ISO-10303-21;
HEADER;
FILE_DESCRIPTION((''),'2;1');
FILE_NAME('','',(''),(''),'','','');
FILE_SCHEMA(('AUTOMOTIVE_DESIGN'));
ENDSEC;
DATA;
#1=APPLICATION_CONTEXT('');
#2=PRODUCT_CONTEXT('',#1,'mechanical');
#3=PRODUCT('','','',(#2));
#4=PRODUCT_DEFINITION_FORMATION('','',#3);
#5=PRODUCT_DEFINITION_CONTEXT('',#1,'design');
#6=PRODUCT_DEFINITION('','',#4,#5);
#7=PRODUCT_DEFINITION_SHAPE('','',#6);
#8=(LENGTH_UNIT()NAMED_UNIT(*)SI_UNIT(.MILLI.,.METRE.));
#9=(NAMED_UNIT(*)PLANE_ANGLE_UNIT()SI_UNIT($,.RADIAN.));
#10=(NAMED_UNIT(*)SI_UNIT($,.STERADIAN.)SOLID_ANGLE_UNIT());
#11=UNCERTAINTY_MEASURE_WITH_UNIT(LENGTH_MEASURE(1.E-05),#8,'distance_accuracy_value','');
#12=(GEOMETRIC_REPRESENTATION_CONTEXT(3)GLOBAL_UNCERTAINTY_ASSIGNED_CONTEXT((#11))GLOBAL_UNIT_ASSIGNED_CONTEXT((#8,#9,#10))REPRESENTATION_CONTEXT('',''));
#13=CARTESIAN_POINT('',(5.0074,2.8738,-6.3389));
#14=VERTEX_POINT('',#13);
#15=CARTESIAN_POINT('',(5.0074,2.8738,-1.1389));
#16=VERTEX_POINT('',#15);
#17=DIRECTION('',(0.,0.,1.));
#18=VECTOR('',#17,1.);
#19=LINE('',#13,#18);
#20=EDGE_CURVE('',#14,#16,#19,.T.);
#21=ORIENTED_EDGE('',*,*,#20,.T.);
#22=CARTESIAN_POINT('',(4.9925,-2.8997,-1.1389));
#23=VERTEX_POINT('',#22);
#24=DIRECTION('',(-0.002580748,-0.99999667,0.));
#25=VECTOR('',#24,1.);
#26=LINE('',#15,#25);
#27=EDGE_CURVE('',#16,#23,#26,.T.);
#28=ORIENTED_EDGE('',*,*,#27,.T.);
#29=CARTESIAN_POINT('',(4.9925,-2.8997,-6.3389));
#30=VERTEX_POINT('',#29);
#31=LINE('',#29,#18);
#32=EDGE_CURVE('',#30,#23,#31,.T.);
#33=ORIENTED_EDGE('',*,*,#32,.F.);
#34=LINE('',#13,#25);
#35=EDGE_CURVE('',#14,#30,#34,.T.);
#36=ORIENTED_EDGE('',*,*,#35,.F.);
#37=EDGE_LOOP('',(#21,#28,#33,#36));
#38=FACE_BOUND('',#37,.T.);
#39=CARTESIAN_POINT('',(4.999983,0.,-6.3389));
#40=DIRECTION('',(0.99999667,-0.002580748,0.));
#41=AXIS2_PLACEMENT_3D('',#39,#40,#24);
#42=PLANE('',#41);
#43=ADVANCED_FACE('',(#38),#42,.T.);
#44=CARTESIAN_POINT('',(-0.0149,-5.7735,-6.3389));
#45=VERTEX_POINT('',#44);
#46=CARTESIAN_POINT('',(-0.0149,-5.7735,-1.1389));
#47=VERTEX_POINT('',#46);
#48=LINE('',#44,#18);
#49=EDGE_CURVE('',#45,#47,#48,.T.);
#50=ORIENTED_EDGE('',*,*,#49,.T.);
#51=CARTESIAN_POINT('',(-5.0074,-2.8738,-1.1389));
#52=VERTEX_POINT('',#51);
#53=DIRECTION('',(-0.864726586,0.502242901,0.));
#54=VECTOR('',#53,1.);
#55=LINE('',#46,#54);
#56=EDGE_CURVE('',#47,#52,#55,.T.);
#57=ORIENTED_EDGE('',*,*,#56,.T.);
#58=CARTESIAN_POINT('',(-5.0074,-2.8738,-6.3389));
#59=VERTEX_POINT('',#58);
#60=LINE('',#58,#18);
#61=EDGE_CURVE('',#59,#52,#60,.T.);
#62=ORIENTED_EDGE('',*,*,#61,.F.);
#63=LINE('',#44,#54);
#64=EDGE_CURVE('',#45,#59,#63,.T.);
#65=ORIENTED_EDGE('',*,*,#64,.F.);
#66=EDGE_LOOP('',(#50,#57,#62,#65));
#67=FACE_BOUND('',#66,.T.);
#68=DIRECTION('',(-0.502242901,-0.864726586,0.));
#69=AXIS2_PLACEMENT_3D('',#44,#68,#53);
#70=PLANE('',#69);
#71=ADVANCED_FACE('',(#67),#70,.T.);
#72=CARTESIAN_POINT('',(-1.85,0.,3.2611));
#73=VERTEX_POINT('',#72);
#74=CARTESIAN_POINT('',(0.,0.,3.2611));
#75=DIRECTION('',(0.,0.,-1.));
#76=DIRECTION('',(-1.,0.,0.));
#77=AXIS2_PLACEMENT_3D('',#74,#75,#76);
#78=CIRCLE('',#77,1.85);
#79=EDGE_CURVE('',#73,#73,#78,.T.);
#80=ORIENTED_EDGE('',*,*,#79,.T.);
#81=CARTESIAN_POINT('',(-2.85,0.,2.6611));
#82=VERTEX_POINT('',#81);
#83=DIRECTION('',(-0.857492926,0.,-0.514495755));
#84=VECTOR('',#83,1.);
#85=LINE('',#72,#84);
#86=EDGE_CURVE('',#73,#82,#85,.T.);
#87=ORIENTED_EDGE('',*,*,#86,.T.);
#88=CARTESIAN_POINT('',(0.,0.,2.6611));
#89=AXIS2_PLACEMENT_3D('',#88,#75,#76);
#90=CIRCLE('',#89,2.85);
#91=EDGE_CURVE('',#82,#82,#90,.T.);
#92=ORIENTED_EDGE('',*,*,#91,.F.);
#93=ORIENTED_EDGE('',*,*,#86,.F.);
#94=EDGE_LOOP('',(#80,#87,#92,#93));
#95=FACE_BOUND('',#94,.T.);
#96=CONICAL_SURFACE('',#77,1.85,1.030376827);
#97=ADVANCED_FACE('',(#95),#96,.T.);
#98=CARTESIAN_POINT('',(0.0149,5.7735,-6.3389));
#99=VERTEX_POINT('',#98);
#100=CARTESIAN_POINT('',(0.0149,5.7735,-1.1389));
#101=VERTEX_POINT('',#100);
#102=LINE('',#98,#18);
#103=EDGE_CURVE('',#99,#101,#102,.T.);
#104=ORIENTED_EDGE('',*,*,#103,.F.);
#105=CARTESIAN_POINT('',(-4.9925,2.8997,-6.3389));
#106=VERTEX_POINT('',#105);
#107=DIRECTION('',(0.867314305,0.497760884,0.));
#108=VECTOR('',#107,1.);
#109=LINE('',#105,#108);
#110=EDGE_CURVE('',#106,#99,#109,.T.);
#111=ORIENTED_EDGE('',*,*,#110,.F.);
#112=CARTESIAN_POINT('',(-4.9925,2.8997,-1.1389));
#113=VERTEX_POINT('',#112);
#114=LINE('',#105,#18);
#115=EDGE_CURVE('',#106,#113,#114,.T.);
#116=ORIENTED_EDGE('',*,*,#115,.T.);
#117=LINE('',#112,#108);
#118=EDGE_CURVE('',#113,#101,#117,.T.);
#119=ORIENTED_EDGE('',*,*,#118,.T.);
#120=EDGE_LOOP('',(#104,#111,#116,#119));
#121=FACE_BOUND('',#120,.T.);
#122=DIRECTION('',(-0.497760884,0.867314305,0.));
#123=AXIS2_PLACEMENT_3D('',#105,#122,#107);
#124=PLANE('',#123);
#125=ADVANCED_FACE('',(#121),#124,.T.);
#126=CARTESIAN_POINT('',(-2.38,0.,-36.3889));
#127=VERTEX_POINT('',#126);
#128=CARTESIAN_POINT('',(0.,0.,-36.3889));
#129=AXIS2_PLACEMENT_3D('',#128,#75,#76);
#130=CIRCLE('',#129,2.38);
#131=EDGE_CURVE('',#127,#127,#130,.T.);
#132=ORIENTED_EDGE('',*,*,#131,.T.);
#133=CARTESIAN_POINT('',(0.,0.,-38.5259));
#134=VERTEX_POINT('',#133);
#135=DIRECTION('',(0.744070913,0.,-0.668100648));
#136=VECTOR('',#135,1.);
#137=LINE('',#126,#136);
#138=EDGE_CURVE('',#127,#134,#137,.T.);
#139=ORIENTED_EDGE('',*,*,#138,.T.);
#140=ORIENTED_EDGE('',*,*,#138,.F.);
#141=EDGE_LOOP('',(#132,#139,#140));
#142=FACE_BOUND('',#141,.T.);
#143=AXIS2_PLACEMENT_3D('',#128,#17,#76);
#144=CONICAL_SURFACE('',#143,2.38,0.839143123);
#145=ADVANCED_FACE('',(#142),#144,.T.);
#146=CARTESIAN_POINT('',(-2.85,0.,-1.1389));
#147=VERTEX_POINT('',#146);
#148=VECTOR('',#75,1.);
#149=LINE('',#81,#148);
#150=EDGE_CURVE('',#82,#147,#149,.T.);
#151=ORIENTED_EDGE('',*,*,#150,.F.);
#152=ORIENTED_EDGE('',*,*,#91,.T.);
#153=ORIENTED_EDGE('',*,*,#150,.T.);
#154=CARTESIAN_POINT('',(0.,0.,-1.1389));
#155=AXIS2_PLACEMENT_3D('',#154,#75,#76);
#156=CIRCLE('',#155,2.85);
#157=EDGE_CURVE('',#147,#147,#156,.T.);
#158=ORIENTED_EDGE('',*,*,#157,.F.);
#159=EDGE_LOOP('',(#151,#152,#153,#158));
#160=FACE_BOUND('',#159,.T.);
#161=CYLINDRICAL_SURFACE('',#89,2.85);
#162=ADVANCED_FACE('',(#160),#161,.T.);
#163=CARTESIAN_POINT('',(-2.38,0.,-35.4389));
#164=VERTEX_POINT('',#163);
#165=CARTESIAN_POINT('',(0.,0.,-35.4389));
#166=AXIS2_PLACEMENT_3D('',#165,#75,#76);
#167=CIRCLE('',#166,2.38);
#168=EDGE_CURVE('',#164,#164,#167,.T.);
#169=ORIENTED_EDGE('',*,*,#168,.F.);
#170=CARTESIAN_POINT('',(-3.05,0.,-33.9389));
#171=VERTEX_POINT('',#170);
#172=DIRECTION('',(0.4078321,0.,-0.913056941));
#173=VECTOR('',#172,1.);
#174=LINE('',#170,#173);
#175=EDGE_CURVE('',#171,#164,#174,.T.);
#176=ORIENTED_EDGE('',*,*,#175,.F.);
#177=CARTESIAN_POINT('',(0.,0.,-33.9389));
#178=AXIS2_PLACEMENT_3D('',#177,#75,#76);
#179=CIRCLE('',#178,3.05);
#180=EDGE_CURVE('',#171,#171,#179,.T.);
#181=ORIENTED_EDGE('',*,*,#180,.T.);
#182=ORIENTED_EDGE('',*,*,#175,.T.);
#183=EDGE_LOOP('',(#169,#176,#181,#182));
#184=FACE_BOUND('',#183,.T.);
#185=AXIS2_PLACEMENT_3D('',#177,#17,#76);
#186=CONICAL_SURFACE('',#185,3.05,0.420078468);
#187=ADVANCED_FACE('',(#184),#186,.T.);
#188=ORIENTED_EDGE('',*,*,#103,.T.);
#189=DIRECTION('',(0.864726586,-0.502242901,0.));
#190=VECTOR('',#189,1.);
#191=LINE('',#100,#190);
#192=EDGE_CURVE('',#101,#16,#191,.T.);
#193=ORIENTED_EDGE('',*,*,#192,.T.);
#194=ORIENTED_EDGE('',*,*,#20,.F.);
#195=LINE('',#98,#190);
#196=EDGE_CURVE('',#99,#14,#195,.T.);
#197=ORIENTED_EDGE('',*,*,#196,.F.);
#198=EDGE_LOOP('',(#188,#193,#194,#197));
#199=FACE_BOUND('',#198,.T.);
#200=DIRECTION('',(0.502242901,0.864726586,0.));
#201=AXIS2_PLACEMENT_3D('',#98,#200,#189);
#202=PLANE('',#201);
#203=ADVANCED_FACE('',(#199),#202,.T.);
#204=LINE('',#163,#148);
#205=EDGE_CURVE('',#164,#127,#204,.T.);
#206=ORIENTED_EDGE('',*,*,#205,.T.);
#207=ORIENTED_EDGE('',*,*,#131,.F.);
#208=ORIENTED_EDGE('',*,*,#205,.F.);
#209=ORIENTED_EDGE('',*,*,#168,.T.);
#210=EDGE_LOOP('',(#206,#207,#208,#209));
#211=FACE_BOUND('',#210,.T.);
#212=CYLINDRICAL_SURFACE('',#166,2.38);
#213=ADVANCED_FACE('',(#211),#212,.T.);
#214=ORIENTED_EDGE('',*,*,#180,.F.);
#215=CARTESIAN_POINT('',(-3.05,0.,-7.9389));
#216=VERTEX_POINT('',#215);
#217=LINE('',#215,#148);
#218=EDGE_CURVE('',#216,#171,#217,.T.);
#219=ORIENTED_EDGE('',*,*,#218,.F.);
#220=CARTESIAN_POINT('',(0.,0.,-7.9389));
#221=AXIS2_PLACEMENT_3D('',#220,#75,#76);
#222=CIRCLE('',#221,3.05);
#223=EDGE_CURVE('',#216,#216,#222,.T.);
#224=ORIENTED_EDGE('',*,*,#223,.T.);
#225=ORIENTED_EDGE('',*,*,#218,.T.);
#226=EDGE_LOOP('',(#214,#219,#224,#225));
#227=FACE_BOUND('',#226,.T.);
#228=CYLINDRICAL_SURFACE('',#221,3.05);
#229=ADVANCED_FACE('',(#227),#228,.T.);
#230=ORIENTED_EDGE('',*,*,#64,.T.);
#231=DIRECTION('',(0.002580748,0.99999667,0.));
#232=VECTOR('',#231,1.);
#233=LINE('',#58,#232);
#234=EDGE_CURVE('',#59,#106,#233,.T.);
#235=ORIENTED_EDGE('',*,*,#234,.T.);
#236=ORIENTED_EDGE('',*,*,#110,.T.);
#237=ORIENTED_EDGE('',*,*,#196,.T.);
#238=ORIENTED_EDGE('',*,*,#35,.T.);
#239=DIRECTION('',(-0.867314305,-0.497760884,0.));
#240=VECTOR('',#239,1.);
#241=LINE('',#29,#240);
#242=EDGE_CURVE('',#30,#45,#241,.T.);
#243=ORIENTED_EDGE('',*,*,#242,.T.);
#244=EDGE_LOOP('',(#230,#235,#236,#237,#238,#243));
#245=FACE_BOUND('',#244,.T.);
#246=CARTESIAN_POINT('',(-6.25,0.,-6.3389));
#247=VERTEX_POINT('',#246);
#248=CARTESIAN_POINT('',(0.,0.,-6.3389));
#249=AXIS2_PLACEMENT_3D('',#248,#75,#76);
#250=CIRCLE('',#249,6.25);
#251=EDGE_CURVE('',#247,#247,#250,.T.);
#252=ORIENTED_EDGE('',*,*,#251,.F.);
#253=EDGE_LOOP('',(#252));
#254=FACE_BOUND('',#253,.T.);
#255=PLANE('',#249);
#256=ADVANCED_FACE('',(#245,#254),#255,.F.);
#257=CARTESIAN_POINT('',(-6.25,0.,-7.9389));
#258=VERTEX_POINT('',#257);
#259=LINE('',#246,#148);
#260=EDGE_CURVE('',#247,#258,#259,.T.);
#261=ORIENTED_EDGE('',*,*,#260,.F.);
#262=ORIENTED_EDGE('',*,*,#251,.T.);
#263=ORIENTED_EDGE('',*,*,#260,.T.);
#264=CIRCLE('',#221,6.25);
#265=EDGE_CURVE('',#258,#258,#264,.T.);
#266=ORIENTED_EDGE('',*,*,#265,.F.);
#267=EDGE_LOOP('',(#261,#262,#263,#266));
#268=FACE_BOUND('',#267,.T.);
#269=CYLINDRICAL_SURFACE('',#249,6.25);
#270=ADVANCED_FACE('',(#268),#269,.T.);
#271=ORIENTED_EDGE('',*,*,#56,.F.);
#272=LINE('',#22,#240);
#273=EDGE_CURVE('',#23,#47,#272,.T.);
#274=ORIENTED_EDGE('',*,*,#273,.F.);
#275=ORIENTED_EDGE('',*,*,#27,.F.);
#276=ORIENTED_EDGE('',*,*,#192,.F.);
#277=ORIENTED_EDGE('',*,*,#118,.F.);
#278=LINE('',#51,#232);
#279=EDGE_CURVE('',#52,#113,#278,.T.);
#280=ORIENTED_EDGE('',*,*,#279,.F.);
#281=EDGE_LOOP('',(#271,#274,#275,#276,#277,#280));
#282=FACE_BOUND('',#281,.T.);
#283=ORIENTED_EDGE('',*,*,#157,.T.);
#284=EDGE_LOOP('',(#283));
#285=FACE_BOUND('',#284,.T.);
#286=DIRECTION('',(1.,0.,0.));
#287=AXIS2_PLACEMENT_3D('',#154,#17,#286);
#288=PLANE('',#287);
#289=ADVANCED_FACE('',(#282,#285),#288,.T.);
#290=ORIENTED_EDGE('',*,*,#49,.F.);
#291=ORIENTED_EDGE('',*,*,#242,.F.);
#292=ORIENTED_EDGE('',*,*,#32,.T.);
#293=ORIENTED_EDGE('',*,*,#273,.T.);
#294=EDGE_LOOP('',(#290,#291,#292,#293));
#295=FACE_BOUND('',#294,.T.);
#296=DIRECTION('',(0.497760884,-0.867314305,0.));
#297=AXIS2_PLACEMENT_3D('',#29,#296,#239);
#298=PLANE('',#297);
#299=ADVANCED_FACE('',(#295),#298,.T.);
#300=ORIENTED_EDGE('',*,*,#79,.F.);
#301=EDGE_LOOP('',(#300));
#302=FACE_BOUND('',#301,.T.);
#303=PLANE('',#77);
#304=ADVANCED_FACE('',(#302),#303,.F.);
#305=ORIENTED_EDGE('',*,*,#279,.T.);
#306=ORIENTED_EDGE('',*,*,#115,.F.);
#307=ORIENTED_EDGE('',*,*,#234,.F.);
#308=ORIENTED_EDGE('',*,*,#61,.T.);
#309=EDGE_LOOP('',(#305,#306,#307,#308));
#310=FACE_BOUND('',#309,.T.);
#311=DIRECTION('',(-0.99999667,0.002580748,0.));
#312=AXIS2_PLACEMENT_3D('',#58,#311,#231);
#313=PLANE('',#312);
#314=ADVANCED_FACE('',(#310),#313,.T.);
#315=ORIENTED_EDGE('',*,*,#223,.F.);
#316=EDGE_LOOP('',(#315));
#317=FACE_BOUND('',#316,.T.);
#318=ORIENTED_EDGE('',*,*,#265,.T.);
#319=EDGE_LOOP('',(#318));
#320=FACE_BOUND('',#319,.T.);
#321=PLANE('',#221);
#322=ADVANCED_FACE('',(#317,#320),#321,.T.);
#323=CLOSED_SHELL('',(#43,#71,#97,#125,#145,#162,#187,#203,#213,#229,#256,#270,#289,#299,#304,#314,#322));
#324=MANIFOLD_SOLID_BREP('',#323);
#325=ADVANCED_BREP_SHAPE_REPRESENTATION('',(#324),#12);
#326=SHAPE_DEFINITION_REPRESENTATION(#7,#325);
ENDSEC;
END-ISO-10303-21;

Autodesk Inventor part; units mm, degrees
ref_plane "YZ Plane" through (0, 0, 0) normal (1, 0, 0) x (0, 1, 0)
ref_plane "XZ Plane" through (0, 0, 0) normal (0, 1, 0) x (-1, 0, 0)
ref_plane "XY Plane" through (0, 0, 0) normal (0, 0, 1) x (1, 0, 0)
sketch "Szkic1" plane through (0, 0, 0) normal (0, 1, 0) x (-1, 0, 0)
  line L0 (0, 3.2611) -> (1.85, 3.2611)
  line L1 (1.85, 3.2611) -> (2.85, 2.6611)
  line L2 (2.85, 2.6611) -> (2.85, -6.3389)
  line L3 (2.85, -6.3389) -> (6.25, -6.3389)
  line L4 (6.25, -6.3389) -> (6.25, -7.9389)
  line L5 (6.25, -7.9389) -> (3.05, -7.9389)
  line L6 (3.05, -7.9389) -> (3.05, -33.9389)
  line L7 (3.05, -33.9389) -> (2.38, -35.4389)
  line L8 (2.38, -35.4389) -> (2.38, -36.3889)
  line L9 (2.38, -36.3889) -> (0, -38.5259)
  line L10 (0, 3.2611) -> (0, -38.5259)
  point P0 (0, 0)
  dimension "d0" = 1.85
  dimension "d1" = 0.6
  dimension "d2" = 1
  dimension "d3" = 9
  dimension "d4" = 3.4
  dimension "d5" = 1.6
  dimension "d6" = 3.2
  dimension "d7" = 26
  dimension "d8" = 1.5
  dimension "d9" = 0.67
  dimension "d10" = 0.95
  dimension "d11" = 2.137
revolve "Obrót1" add sketch "Szkic1" angle 360 about axis through (0, 0, 3.2611) along (0, 0, -1)
sketch "Szkic2" plane through (0, 0, -6.3389) normal (0, 0, 1) x (1, 0, 0)
  circle A0 centre (0, 0) radius 1.85 projected
  line L0 (5.0074, 2.8738) -> (4.9925, -2.8997)
  line L1 (4.9925, -2.8997) -> (-0.0149, -5.7735)
  line L2 (-0.0149, -5.7735) -> (-5.0074, -2.8738)
  line L3 (-5.0074, -2.8738) -> (-4.9925, 2.8997)
  line L4 (-4.9925, 2.8997) -> (0.0149, 5.7735)
  line L5 (0.0149, 5.7735) -> (5.0074, 2.8738)
  circle A1 centre (0, 0) radius 5
  point P0 (0, 0)
  dimension "d13" = 10
sketch "Szkic3" plane through (0, 0, -7.9389) normal (0, 0, -1) x (-1, 0, 0)
  point P0 (0, 0)
extrude "Wyciągnięcie proste1" add sketch "Szkic2" along normal blind 5.2 contours A0 | L0 L1 A1 | L0 A1 L5 | A1 | A1 L4 L5 | L1 L2 A1 | A1 L3 L4 | L2 L3 A1
thread "Gwint1" size "M7x1" class "6g" standard "ANSI Metric M Profile" length 200
sketch "Szkic4" plane through (0, 0, -7.9389) normal (0, 0, -1) x (-1, 0, 0)
  point P0 (0, 0)
sketch "Szkic5" plane through (5.0074, 2.8738, -1.1389) normal (1, -0.0026, 0) x (0, 0, -1)
  point P0 (-1.1389, -2.8868)
sketch "Szkic6" plane through (0, 0, -7.9389) normal (0, 0, -1) x (-1, 0, 0)
  point P0 (0, 0)
sketch "Szkic7" plane through (5.0074, 2.8738, -1.1389) normal (1, -0.0026, 0) x (0, 0, -1)
  point P0 (-1.1389, -2.8868)
properties part number "śróbki1" material "Stal nierdzewna"
